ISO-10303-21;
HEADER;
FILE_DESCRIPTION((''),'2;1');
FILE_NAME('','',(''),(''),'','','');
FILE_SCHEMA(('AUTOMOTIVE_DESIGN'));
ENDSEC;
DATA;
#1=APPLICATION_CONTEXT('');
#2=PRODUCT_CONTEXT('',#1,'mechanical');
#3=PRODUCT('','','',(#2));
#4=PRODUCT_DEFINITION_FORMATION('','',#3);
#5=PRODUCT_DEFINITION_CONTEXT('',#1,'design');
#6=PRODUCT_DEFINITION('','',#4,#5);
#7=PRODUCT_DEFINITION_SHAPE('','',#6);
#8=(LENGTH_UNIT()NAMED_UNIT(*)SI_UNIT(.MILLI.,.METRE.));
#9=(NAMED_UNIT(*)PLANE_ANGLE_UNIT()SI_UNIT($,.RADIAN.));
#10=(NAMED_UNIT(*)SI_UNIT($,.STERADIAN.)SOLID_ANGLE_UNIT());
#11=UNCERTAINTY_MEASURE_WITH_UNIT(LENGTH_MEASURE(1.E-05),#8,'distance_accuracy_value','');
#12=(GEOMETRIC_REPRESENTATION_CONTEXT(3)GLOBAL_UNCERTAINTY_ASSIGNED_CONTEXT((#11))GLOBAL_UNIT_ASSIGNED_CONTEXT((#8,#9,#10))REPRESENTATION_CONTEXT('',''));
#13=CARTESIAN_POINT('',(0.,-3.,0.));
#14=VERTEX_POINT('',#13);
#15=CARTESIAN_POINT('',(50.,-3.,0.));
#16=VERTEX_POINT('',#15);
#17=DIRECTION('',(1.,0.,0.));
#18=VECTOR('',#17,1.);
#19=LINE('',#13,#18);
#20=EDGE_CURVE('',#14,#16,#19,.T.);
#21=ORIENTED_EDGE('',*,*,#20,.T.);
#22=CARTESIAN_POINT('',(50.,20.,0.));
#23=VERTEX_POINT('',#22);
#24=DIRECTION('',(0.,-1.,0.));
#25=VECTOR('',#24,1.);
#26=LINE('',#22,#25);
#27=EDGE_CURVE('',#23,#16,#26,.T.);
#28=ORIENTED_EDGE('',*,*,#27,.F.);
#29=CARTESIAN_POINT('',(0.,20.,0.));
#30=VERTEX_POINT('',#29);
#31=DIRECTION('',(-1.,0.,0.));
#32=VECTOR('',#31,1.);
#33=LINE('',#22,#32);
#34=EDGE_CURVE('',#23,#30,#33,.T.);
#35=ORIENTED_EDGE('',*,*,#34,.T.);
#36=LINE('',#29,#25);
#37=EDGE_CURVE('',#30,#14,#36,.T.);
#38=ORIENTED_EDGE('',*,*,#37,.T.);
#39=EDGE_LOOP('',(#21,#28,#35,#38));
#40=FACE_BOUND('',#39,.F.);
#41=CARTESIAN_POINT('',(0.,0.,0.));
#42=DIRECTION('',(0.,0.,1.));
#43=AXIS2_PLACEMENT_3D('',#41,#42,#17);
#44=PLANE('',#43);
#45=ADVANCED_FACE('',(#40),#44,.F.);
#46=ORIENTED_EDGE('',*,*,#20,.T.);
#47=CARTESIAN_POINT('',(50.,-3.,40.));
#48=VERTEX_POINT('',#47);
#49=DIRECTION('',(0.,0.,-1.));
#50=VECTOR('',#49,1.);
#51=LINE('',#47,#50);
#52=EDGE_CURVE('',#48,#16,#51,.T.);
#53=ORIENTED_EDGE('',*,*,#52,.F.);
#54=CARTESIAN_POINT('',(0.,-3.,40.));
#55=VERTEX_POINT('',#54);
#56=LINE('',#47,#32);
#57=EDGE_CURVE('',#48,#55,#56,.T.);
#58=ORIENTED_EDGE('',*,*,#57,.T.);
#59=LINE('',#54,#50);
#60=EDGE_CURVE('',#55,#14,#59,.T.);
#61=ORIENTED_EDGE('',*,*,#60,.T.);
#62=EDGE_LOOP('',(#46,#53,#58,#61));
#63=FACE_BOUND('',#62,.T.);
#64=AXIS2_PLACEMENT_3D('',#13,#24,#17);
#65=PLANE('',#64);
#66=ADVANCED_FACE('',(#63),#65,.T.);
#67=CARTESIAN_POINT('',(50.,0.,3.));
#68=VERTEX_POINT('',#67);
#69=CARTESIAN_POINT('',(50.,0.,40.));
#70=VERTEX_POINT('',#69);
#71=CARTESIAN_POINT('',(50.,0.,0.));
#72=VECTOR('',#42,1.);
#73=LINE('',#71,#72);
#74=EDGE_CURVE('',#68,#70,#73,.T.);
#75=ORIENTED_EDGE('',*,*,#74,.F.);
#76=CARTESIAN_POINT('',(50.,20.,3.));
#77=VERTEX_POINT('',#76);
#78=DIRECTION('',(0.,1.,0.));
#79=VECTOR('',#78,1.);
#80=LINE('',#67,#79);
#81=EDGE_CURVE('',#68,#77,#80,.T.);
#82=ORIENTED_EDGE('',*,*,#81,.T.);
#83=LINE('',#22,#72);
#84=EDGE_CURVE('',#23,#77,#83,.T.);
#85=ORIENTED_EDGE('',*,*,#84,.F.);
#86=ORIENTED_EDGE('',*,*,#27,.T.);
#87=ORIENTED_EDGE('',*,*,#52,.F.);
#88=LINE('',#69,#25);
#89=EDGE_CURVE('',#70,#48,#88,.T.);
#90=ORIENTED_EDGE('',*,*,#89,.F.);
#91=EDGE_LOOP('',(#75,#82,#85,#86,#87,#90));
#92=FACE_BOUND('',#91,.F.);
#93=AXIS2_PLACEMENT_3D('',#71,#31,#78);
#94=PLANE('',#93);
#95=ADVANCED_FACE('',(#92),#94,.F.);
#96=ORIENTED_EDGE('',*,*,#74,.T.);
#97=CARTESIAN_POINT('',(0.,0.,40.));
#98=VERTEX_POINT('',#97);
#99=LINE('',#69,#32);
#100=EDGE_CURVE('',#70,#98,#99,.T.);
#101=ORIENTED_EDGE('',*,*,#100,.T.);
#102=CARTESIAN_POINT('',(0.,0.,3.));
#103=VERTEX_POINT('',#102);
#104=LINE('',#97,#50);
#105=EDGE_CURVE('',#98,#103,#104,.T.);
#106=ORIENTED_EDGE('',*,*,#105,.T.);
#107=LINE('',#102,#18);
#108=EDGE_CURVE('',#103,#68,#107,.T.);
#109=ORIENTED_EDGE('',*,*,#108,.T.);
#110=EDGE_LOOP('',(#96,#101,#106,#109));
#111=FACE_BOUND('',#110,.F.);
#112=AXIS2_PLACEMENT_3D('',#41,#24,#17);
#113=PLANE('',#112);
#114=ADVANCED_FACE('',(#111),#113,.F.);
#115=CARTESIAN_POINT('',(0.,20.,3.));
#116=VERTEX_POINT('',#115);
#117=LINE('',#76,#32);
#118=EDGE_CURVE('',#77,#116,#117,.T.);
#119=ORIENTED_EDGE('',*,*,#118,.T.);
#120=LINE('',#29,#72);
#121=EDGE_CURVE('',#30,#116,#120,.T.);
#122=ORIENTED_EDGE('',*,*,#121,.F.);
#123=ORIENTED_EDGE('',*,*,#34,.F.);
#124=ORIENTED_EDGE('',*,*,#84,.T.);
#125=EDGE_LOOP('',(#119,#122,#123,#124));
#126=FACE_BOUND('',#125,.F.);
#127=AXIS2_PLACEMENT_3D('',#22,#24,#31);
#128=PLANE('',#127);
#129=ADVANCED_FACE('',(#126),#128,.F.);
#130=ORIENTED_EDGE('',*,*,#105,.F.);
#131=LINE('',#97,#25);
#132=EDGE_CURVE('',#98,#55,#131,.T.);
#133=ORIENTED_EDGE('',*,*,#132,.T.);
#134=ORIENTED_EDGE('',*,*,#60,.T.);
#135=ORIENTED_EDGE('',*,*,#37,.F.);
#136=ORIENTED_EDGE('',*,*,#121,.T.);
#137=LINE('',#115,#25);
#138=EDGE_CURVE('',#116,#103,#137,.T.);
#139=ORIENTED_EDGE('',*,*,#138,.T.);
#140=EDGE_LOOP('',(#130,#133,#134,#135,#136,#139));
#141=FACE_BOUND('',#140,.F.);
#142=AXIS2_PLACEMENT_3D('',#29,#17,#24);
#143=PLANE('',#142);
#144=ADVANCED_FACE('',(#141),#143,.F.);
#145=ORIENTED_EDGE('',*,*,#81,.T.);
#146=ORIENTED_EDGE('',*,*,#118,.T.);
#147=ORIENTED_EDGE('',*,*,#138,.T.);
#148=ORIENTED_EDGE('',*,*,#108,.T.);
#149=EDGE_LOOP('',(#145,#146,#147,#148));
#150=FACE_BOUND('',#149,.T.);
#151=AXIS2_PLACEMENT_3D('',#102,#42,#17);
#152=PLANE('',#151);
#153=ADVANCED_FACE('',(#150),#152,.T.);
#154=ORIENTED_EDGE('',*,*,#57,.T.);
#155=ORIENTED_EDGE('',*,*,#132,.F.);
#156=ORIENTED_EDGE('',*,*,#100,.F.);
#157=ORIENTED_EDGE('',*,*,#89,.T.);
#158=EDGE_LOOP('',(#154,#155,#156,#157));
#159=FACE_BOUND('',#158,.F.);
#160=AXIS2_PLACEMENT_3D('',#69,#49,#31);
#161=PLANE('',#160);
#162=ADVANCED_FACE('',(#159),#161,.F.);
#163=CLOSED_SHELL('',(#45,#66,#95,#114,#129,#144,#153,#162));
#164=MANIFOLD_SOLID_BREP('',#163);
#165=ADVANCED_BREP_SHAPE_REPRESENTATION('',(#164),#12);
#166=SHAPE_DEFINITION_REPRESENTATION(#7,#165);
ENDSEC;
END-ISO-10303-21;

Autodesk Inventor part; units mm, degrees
ref_plane "YZ Plane" through (0, 0, 0) normal (1, 0, 0) x (0, 1, 0)
ref_plane "XZ Plane" through (0, 0, 0) normal (0, 1, 0) x (-1, 0, 0)
ref_plane "XY Plane" through (0, 0, 0) normal (0, 0, 1) x (1, 0, 0)
sketch "Sketch1" plane through (0, 0, 0) normal (0, 0, 1) x (1, 0, 0)
  line L0 (0, 0) -> (50, 0)
  line L1 (50, 0) -> (50, 20)
  line L2 (50, 20) -> (0, 20)
  line L3 (0, 20) -> (0, 0)
  dimension "d0" = 50
  dimension "d1" = 20
extrude "Extrusion1" add sketch "Sketch1" along normal blind 3
sketch "Sketch2" plane through (0, 0, 0) normal (0, -1, 0) x (1, 0, 0)
  line L0 (0, 0) -> (50, 0) projected
  line L1 (0, 0) -> (50, 0)
  line L2 (50, 0) -> (50, 40)
  line L3 (50, 40) -> (0, 40)
  line L4 (0, 40) -> (0, 0)
  line L5 (50, 0) -> (50, 3) projected
  dimension "d4" = 40
extrude "Extrusion2" add sketch "Sketch2" along normal blind 3
